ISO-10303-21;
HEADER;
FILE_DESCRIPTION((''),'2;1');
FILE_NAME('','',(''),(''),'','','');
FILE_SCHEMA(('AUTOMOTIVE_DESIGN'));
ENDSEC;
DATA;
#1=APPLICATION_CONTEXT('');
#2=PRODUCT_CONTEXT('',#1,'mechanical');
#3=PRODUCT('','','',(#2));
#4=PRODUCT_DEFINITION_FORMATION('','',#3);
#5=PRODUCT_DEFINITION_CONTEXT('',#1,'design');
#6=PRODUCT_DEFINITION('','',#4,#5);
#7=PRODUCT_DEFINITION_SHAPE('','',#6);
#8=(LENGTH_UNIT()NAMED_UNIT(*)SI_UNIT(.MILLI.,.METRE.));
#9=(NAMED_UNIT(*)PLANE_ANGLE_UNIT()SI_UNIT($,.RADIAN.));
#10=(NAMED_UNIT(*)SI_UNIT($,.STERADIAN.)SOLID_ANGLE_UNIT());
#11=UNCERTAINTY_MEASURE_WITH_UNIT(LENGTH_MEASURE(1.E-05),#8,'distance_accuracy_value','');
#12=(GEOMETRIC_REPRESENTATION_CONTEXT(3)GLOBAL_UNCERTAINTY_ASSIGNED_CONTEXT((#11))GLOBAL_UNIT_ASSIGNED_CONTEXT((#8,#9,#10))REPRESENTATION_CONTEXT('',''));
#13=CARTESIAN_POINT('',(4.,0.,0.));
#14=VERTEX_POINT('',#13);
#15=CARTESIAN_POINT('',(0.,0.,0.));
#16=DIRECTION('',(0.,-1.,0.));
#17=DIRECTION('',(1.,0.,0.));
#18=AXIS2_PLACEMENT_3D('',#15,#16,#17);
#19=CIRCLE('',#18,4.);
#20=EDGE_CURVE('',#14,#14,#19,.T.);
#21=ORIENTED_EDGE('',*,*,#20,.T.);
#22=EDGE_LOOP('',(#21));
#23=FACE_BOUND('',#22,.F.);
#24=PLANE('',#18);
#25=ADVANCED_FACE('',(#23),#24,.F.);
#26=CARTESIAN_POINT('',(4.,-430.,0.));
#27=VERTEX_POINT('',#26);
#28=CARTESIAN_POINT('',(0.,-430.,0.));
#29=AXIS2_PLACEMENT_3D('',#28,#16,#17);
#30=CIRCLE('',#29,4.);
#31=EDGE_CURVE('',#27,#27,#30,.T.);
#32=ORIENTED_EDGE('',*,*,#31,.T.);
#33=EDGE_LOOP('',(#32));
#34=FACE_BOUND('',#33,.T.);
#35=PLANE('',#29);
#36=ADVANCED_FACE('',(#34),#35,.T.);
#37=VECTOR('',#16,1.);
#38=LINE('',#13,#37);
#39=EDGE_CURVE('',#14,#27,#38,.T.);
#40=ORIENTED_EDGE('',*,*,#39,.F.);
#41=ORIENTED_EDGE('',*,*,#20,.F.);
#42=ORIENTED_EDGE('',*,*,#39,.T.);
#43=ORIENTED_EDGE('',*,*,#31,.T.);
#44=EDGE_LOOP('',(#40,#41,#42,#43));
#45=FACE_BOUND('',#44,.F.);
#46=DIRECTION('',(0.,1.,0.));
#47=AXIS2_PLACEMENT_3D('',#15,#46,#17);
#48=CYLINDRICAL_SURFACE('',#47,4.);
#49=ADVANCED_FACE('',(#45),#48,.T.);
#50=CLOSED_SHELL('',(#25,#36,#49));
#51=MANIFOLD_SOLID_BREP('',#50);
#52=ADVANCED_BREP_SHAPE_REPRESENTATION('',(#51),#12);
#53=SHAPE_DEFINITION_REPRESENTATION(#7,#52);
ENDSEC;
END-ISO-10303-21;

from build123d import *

# Parameters (mm, degrees)
SKETCH_R  = 4
PAD_DEPTH = 430


with BuildPart() as part:
    # Sketch → Pad (new body)
    with BuildSketch(Plane.XZ):
        Circle(SKETCH_R)
    extrude(amount=PAD_DEPTH)


solid = part.part
